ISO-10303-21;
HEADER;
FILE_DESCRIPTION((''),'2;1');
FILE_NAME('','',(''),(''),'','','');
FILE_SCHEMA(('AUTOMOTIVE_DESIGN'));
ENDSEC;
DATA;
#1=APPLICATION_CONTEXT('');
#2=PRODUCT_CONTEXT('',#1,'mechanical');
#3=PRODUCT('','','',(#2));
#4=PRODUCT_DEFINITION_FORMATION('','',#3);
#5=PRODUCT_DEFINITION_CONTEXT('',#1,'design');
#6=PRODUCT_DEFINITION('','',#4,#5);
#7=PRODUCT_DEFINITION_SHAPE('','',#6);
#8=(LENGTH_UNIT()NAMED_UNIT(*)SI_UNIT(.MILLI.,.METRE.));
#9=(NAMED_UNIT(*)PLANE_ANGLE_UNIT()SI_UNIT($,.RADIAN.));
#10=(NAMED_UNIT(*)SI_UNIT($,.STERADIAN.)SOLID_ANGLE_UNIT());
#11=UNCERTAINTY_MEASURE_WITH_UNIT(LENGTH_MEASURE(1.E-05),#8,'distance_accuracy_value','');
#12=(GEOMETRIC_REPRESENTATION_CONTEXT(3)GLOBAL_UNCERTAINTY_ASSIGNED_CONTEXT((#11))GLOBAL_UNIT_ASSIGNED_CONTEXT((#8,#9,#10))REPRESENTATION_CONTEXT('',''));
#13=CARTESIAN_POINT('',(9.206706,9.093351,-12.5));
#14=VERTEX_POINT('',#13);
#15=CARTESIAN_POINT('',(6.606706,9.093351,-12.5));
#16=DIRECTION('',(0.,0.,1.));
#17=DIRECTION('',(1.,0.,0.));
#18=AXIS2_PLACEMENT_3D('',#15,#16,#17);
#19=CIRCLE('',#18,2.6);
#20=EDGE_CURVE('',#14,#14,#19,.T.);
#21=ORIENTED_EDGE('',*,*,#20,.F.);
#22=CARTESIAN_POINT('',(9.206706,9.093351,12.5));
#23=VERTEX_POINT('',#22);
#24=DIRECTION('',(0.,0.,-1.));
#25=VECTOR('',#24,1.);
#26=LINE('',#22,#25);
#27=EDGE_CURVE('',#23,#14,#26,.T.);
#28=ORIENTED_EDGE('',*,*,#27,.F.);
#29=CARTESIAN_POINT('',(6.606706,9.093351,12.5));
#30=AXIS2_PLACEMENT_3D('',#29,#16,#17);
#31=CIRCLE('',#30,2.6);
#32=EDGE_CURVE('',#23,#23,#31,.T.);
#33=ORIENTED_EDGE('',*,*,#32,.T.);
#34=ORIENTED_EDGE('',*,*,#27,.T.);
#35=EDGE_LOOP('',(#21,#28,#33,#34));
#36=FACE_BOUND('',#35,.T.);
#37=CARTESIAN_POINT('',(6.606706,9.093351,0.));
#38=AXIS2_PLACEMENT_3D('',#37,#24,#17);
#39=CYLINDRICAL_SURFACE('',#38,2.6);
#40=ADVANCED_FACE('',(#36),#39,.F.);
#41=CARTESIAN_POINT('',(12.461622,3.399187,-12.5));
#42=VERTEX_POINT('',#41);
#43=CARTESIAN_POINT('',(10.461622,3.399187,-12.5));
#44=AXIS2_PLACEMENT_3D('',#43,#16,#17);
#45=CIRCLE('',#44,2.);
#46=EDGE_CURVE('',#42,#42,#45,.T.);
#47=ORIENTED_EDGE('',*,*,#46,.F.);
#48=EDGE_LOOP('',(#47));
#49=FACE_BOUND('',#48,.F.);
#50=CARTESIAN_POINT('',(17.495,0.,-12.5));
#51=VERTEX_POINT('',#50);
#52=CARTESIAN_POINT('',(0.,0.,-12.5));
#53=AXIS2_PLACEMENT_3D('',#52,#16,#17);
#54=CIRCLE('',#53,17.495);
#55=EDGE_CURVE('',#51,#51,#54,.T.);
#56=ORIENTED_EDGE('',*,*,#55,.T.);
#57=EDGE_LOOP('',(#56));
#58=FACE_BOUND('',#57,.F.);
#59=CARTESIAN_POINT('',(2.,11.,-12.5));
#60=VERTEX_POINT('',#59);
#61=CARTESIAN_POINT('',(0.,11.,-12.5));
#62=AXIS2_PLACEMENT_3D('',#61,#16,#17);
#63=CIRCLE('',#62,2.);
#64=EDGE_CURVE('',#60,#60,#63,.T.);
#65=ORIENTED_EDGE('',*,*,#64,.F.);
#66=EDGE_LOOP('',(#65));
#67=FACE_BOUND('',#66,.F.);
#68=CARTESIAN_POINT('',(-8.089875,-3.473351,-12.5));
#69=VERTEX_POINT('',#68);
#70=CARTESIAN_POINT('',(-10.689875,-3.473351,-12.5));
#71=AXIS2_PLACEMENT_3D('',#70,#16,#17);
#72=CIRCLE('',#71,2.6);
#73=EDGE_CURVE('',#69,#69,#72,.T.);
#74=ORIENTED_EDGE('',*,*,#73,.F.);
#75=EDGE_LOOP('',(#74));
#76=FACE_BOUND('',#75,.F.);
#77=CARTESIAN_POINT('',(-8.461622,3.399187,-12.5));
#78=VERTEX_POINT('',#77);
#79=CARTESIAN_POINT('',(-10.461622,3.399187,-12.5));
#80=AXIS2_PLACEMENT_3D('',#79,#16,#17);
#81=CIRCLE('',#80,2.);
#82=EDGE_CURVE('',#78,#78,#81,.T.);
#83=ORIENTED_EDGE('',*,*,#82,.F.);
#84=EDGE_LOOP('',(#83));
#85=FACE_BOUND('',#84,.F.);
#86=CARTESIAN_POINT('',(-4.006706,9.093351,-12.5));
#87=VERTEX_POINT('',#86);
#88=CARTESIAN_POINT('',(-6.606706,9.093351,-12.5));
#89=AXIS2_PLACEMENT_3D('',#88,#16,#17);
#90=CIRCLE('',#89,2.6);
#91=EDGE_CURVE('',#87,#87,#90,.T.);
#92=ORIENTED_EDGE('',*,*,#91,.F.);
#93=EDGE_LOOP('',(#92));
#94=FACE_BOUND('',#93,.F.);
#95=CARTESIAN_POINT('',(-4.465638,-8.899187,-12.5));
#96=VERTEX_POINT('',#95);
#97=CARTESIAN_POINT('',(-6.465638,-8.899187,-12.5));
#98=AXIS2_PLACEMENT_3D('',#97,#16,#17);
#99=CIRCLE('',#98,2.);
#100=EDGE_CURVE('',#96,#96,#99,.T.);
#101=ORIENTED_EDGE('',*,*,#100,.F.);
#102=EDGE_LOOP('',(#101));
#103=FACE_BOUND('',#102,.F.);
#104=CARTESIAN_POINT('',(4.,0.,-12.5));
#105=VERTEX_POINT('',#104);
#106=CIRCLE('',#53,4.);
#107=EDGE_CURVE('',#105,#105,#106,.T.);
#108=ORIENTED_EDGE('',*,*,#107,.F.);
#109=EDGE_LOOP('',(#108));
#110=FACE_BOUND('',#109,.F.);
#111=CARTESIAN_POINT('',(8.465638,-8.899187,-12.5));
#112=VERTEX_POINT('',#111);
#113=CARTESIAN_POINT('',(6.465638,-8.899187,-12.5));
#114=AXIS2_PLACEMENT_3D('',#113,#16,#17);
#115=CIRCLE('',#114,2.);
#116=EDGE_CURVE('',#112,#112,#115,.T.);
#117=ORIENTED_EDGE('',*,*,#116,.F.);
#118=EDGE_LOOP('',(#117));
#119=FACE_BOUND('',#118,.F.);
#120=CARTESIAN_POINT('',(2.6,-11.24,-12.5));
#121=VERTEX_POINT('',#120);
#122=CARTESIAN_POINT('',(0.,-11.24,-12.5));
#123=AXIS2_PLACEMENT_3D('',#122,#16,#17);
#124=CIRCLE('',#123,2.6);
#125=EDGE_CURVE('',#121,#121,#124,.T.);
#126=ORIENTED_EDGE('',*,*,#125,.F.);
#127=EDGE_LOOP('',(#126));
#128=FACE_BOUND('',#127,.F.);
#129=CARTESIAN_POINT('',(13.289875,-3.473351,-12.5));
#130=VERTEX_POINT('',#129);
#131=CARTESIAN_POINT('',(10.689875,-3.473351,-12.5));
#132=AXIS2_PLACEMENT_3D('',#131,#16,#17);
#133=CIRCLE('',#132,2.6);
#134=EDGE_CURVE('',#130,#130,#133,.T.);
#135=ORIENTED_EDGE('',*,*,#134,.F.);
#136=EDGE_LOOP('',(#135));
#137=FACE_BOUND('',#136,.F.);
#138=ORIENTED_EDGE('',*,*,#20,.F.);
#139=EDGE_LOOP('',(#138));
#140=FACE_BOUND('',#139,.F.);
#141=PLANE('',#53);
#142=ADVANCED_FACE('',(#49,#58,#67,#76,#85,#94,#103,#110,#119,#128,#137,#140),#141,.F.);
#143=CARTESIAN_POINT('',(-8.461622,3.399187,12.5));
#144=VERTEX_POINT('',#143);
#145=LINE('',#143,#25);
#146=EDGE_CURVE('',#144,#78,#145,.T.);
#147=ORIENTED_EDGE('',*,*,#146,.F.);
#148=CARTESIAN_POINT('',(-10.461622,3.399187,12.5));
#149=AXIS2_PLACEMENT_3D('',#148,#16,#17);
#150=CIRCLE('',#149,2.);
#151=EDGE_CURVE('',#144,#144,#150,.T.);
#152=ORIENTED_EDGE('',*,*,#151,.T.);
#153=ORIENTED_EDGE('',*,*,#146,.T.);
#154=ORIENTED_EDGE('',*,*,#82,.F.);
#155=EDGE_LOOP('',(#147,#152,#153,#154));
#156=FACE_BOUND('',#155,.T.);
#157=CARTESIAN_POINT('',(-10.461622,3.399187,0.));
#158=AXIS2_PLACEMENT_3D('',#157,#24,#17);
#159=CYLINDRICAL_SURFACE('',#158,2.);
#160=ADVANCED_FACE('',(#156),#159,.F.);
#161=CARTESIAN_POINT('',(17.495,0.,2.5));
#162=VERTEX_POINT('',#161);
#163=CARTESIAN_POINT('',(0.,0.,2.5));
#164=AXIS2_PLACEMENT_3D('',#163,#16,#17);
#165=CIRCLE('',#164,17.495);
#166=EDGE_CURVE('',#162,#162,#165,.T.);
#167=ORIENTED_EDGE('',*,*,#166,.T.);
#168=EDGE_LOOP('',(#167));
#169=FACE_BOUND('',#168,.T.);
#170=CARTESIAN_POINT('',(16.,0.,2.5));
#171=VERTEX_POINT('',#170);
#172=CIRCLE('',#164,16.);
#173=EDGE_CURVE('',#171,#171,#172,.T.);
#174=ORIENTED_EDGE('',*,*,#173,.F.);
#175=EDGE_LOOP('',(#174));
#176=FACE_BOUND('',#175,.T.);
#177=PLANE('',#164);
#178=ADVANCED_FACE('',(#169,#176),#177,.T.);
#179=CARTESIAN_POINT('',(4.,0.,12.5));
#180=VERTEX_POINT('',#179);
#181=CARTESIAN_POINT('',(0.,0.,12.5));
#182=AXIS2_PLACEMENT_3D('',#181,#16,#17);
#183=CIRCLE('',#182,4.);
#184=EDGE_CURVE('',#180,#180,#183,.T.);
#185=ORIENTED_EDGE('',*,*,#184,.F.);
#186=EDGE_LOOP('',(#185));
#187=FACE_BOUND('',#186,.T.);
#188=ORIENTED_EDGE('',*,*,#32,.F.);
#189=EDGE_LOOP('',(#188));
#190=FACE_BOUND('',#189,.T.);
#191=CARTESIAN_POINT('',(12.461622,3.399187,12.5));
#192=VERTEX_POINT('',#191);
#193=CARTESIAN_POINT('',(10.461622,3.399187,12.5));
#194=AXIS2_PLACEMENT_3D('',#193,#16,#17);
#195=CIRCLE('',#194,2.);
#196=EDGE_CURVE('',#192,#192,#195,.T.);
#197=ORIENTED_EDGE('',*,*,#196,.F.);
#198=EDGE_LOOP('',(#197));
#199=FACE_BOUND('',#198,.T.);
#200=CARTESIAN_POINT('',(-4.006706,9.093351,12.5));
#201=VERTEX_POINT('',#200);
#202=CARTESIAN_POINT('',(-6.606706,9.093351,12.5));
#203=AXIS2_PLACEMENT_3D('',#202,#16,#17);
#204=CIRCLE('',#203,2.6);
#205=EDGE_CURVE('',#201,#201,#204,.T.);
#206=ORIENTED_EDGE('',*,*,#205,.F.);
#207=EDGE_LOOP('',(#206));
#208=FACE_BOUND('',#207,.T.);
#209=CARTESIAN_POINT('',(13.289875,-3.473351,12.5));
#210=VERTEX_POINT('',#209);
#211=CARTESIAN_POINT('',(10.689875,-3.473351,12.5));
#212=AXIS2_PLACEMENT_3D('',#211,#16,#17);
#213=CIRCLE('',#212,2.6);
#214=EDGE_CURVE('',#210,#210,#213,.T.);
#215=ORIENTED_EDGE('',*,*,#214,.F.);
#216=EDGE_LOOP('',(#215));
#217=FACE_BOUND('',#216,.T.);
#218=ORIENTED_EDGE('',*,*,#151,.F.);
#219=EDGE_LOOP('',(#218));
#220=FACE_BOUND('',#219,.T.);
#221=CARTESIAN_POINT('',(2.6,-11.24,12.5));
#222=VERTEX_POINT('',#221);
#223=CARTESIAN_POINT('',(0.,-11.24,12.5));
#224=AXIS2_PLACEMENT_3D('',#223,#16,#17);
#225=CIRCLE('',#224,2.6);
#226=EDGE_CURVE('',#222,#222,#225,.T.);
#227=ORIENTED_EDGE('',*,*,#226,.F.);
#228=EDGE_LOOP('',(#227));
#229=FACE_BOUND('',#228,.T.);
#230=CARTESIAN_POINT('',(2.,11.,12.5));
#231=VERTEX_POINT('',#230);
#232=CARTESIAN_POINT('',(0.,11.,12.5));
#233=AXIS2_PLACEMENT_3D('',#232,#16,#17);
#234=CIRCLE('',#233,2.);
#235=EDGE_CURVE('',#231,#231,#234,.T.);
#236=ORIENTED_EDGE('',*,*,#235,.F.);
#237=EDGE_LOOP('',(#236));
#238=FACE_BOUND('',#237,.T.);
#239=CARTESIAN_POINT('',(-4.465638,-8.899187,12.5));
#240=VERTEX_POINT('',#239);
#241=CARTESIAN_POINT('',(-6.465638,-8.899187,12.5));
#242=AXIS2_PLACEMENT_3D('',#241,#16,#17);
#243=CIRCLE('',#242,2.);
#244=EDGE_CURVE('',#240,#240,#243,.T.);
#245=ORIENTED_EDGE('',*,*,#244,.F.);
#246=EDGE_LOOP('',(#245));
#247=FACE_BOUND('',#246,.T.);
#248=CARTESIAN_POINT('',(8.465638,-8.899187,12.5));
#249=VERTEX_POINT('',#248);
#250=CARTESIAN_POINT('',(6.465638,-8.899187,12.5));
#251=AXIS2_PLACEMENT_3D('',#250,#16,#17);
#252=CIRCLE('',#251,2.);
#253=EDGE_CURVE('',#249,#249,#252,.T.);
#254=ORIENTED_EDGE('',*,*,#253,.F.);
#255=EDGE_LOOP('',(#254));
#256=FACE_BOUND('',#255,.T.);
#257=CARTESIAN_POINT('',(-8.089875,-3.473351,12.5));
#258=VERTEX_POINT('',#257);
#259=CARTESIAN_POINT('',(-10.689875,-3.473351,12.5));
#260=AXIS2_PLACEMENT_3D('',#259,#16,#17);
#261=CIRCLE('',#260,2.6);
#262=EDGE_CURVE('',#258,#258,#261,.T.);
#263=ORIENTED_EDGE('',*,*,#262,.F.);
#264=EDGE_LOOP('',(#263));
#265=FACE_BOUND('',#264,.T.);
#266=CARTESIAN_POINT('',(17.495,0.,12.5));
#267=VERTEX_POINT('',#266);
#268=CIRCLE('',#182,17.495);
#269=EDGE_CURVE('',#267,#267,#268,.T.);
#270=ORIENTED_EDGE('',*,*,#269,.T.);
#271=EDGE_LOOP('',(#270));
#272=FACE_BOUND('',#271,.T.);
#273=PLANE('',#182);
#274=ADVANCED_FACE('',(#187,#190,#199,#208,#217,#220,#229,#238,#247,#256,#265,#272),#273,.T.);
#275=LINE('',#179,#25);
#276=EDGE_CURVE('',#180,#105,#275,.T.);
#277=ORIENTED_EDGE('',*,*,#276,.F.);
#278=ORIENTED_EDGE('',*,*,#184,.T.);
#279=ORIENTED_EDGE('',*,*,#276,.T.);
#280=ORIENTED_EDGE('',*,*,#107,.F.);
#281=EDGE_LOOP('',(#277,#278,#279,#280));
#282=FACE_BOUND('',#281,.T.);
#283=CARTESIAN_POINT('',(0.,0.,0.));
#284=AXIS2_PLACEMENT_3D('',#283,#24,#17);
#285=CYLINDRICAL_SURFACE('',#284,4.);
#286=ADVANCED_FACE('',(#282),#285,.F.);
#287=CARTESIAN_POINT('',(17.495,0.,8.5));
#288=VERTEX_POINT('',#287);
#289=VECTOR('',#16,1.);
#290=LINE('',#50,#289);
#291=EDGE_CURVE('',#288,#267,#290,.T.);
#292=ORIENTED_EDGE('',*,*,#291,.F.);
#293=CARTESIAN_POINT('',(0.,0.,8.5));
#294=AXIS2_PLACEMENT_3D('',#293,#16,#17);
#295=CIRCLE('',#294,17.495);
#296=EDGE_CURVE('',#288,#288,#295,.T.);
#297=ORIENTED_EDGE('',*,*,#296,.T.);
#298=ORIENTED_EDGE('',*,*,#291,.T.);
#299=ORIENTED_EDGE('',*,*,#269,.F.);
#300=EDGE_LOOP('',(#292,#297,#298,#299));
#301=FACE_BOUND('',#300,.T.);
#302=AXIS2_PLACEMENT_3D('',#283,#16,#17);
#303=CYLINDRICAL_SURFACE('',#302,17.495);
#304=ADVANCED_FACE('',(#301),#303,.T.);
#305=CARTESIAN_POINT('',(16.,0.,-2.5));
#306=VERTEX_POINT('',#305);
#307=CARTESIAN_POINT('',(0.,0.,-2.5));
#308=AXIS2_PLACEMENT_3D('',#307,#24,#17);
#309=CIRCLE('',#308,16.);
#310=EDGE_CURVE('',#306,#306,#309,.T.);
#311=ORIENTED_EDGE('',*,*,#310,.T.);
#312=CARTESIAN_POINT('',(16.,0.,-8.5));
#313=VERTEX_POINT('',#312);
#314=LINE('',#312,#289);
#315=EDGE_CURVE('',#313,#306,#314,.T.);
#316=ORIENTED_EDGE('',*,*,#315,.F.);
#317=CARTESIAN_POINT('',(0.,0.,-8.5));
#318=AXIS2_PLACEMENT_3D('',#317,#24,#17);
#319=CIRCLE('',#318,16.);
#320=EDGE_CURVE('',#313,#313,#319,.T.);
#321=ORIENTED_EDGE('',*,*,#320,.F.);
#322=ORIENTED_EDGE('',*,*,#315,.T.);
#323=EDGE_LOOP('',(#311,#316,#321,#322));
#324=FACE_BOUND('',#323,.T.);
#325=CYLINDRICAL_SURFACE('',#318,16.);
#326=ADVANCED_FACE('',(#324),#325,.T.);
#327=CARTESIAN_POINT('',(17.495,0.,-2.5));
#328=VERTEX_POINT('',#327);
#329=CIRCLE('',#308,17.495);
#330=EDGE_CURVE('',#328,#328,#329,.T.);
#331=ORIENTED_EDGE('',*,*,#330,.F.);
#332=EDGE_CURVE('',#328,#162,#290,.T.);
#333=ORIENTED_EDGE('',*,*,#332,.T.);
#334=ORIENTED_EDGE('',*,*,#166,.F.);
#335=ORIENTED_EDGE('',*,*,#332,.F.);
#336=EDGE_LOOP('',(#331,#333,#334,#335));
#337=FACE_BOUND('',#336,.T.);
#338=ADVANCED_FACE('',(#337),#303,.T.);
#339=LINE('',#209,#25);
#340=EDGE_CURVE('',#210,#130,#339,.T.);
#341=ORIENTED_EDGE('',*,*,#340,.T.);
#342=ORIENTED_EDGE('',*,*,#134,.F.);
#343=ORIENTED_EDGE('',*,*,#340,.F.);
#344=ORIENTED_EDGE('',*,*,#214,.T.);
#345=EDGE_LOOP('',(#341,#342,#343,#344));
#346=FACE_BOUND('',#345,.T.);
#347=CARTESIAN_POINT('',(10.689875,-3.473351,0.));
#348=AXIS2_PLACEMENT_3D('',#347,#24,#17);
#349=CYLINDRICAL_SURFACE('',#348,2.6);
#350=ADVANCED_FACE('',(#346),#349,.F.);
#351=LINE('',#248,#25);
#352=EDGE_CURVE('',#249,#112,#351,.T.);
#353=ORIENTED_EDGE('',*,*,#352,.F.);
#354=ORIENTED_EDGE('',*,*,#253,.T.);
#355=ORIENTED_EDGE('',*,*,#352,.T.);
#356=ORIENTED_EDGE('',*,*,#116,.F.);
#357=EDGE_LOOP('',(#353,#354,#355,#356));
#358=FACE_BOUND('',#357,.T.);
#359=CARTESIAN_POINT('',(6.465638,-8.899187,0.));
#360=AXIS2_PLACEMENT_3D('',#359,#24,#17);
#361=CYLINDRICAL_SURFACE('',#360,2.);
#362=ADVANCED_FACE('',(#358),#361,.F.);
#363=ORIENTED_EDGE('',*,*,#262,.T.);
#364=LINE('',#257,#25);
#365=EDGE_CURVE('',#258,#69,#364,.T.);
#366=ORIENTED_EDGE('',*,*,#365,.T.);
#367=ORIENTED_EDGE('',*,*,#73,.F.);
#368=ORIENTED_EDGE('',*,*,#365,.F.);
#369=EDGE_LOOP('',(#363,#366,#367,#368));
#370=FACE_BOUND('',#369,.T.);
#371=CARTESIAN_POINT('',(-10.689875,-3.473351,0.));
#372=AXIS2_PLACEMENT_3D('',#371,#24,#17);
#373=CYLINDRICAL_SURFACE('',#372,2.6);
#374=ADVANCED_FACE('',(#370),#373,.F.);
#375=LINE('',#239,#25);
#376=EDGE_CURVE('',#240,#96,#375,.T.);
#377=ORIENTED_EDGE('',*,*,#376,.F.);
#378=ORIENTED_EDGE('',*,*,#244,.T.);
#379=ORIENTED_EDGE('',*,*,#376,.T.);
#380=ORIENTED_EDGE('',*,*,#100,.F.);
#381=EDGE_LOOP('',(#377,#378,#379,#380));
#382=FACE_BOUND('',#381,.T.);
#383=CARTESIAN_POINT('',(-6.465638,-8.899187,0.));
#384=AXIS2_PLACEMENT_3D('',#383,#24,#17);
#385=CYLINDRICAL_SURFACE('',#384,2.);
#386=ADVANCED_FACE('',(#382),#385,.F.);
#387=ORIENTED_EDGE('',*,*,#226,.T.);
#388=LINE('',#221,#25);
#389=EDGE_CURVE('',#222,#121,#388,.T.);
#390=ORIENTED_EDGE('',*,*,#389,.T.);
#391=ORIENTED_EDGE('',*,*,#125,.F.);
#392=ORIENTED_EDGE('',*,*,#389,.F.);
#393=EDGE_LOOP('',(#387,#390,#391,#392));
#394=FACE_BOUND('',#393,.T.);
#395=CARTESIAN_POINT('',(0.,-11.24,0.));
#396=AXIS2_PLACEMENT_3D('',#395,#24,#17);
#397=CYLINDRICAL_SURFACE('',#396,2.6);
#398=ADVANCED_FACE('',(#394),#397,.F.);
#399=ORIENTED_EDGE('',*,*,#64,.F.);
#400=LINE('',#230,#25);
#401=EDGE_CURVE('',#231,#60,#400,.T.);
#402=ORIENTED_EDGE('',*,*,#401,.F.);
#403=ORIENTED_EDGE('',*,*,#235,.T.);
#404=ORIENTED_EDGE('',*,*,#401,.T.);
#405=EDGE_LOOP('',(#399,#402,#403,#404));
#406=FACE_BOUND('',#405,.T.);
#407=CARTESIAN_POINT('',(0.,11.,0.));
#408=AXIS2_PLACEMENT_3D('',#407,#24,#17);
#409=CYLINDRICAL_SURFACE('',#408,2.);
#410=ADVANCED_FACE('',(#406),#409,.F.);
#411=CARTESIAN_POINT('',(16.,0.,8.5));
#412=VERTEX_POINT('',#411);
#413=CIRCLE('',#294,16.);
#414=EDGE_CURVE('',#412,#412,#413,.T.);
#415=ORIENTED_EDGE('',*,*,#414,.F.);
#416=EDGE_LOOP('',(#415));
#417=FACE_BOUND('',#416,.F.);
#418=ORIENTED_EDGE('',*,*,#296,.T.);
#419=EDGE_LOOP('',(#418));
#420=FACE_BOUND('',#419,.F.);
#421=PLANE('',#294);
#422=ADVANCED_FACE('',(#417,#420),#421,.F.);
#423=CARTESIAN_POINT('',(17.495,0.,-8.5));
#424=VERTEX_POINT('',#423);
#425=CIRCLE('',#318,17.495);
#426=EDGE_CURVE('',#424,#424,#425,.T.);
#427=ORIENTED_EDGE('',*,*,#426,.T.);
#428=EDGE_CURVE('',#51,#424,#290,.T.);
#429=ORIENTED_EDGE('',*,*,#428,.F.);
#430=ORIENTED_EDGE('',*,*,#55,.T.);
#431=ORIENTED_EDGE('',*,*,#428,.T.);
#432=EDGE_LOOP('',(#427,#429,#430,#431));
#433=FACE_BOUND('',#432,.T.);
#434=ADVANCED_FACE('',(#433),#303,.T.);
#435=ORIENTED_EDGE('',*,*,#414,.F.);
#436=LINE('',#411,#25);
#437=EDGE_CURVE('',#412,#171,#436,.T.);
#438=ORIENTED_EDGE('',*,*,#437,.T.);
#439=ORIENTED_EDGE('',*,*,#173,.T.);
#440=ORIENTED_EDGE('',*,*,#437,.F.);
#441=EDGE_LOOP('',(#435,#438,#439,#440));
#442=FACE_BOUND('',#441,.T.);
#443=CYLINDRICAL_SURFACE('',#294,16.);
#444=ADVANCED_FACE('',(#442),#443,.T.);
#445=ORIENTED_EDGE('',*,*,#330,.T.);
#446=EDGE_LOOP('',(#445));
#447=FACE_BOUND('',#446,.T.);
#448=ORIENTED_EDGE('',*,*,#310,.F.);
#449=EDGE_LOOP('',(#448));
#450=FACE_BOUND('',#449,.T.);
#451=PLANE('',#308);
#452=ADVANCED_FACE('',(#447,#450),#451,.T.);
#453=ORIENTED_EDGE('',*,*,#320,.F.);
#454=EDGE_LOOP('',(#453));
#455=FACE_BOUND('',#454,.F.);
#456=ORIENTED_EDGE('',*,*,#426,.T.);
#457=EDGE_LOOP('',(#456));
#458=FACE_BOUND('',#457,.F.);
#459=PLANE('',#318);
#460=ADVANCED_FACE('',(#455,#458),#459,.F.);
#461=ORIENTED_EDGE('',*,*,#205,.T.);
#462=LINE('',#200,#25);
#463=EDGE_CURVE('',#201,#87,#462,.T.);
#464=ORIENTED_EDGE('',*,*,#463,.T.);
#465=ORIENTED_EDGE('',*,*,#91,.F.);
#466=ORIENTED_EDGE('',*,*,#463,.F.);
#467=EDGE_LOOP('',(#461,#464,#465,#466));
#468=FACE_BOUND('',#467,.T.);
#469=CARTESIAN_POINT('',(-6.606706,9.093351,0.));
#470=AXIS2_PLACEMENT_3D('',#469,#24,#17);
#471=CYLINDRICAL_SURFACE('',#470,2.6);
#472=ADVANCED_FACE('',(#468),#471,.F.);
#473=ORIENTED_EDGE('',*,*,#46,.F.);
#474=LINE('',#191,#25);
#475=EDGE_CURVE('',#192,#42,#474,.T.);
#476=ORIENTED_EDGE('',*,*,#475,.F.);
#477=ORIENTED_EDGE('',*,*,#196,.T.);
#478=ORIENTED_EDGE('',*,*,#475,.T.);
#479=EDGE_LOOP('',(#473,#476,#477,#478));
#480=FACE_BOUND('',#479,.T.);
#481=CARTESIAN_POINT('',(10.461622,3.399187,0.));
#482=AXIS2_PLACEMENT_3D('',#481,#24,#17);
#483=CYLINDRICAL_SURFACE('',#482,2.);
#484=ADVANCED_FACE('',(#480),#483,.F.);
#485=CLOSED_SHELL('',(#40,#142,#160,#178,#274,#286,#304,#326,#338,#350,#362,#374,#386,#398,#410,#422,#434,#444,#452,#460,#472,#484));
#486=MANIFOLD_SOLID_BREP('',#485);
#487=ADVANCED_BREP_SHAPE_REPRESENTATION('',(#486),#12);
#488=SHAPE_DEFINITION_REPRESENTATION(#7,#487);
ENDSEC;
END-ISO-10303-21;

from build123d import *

# Parameters (mm, degrees)
F0_R     = 17.495
F0_R_2   = 15.95
F0_R_3   = 2
F0_R_4   = 2.6
F0_R_5   = 4
F1_DEPTH = 12.5
F3_START = -4
F2_R     = 17.495
F2_R_2   = 16
F3_DEPTH = 6
F5_START = -4
F4_R     = 17.495
F4_R_2   = 16
F5_DEPTH = 6


with BuildPart() as f1:
    # F0 (on Top) → F1 (new body, symmetric)
    with BuildSketch(Plane.XY):
        Circle(F0_R)
        Circle(F0_R_2, mode=Mode.SUBTRACT)
        Circle(F0_R_2)
        with Locations((-6.4656377752, -8.8991869381)):
            Circle(F0_R_3, mode=Mode.SUBTRACT)
        with Locations((-10.6898752432, -3.4733510168)):
            Circle(F0_R_4, mode=Mode.SUBTRACT)
        with Locations((0, -11.24)):
            Circle(F0_R_4, mode=Mode.SUBTRACT)
        with Locations((6.4656377752, -8.8991869381)):
            Circle(F0_R_3, mode=Mode.SUBTRACT)
        with Locations((10.6898752432, -3.4733510168)):
            Circle(F0_R_4, mode=Mode.SUBTRACT)
        with Locations((-10.4616216792, 3.3991869381)):
            Circle(F0_R_3, mode=Mode.SUBTRACT)
        with Locations((-6.6067062358, 9.0933510168)):
            Circle(F0_R_4, mode=Mode.SUBTRACT)
        Circle(F0_R_5, mode=Mode.SUBTRACT)
        with Locations((10.4616216792, 3.3991869381)):
            Circle(F0_R_3, mode=Mode.SUBTRACT)
        with Locations((0, 11)):
            Circle(F0_R_3, mode=Mode.SUBTRACT)
        with Locations((6.6067062358, 9.0933510168)):
            Circle(F0_R_4, mode=Mode.SUBTRACT)
    extrude(amount=F1_DEPTH, both=True)

    # F2 (on face) → F3 (cut)
    with BuildSketch(Plane.XY.offset(12.5).offset(F3_START)):
        Circle(F2_R)
        Circle(F2_R_2, mode=Mode.SUBTRACT)
    extrude(amount=-F3_DEPTH, mode=Mode.SUBTRACT)

    # F4 (on face) → F5 (cut)
    with BuildSketch(Plane(origin=(0, 0, -12.5), x_dir=(1, 0, 0), z_dir=(0, 0, -1)).offset(F5_START)):
        Circle(F4_R)
        Circle(F4_R_2, mode=Mode.SUBTRACT)
    extrude(amount=-F5_DEPTH, mode=Mode.SUBTRACT)


solid = f1.part
